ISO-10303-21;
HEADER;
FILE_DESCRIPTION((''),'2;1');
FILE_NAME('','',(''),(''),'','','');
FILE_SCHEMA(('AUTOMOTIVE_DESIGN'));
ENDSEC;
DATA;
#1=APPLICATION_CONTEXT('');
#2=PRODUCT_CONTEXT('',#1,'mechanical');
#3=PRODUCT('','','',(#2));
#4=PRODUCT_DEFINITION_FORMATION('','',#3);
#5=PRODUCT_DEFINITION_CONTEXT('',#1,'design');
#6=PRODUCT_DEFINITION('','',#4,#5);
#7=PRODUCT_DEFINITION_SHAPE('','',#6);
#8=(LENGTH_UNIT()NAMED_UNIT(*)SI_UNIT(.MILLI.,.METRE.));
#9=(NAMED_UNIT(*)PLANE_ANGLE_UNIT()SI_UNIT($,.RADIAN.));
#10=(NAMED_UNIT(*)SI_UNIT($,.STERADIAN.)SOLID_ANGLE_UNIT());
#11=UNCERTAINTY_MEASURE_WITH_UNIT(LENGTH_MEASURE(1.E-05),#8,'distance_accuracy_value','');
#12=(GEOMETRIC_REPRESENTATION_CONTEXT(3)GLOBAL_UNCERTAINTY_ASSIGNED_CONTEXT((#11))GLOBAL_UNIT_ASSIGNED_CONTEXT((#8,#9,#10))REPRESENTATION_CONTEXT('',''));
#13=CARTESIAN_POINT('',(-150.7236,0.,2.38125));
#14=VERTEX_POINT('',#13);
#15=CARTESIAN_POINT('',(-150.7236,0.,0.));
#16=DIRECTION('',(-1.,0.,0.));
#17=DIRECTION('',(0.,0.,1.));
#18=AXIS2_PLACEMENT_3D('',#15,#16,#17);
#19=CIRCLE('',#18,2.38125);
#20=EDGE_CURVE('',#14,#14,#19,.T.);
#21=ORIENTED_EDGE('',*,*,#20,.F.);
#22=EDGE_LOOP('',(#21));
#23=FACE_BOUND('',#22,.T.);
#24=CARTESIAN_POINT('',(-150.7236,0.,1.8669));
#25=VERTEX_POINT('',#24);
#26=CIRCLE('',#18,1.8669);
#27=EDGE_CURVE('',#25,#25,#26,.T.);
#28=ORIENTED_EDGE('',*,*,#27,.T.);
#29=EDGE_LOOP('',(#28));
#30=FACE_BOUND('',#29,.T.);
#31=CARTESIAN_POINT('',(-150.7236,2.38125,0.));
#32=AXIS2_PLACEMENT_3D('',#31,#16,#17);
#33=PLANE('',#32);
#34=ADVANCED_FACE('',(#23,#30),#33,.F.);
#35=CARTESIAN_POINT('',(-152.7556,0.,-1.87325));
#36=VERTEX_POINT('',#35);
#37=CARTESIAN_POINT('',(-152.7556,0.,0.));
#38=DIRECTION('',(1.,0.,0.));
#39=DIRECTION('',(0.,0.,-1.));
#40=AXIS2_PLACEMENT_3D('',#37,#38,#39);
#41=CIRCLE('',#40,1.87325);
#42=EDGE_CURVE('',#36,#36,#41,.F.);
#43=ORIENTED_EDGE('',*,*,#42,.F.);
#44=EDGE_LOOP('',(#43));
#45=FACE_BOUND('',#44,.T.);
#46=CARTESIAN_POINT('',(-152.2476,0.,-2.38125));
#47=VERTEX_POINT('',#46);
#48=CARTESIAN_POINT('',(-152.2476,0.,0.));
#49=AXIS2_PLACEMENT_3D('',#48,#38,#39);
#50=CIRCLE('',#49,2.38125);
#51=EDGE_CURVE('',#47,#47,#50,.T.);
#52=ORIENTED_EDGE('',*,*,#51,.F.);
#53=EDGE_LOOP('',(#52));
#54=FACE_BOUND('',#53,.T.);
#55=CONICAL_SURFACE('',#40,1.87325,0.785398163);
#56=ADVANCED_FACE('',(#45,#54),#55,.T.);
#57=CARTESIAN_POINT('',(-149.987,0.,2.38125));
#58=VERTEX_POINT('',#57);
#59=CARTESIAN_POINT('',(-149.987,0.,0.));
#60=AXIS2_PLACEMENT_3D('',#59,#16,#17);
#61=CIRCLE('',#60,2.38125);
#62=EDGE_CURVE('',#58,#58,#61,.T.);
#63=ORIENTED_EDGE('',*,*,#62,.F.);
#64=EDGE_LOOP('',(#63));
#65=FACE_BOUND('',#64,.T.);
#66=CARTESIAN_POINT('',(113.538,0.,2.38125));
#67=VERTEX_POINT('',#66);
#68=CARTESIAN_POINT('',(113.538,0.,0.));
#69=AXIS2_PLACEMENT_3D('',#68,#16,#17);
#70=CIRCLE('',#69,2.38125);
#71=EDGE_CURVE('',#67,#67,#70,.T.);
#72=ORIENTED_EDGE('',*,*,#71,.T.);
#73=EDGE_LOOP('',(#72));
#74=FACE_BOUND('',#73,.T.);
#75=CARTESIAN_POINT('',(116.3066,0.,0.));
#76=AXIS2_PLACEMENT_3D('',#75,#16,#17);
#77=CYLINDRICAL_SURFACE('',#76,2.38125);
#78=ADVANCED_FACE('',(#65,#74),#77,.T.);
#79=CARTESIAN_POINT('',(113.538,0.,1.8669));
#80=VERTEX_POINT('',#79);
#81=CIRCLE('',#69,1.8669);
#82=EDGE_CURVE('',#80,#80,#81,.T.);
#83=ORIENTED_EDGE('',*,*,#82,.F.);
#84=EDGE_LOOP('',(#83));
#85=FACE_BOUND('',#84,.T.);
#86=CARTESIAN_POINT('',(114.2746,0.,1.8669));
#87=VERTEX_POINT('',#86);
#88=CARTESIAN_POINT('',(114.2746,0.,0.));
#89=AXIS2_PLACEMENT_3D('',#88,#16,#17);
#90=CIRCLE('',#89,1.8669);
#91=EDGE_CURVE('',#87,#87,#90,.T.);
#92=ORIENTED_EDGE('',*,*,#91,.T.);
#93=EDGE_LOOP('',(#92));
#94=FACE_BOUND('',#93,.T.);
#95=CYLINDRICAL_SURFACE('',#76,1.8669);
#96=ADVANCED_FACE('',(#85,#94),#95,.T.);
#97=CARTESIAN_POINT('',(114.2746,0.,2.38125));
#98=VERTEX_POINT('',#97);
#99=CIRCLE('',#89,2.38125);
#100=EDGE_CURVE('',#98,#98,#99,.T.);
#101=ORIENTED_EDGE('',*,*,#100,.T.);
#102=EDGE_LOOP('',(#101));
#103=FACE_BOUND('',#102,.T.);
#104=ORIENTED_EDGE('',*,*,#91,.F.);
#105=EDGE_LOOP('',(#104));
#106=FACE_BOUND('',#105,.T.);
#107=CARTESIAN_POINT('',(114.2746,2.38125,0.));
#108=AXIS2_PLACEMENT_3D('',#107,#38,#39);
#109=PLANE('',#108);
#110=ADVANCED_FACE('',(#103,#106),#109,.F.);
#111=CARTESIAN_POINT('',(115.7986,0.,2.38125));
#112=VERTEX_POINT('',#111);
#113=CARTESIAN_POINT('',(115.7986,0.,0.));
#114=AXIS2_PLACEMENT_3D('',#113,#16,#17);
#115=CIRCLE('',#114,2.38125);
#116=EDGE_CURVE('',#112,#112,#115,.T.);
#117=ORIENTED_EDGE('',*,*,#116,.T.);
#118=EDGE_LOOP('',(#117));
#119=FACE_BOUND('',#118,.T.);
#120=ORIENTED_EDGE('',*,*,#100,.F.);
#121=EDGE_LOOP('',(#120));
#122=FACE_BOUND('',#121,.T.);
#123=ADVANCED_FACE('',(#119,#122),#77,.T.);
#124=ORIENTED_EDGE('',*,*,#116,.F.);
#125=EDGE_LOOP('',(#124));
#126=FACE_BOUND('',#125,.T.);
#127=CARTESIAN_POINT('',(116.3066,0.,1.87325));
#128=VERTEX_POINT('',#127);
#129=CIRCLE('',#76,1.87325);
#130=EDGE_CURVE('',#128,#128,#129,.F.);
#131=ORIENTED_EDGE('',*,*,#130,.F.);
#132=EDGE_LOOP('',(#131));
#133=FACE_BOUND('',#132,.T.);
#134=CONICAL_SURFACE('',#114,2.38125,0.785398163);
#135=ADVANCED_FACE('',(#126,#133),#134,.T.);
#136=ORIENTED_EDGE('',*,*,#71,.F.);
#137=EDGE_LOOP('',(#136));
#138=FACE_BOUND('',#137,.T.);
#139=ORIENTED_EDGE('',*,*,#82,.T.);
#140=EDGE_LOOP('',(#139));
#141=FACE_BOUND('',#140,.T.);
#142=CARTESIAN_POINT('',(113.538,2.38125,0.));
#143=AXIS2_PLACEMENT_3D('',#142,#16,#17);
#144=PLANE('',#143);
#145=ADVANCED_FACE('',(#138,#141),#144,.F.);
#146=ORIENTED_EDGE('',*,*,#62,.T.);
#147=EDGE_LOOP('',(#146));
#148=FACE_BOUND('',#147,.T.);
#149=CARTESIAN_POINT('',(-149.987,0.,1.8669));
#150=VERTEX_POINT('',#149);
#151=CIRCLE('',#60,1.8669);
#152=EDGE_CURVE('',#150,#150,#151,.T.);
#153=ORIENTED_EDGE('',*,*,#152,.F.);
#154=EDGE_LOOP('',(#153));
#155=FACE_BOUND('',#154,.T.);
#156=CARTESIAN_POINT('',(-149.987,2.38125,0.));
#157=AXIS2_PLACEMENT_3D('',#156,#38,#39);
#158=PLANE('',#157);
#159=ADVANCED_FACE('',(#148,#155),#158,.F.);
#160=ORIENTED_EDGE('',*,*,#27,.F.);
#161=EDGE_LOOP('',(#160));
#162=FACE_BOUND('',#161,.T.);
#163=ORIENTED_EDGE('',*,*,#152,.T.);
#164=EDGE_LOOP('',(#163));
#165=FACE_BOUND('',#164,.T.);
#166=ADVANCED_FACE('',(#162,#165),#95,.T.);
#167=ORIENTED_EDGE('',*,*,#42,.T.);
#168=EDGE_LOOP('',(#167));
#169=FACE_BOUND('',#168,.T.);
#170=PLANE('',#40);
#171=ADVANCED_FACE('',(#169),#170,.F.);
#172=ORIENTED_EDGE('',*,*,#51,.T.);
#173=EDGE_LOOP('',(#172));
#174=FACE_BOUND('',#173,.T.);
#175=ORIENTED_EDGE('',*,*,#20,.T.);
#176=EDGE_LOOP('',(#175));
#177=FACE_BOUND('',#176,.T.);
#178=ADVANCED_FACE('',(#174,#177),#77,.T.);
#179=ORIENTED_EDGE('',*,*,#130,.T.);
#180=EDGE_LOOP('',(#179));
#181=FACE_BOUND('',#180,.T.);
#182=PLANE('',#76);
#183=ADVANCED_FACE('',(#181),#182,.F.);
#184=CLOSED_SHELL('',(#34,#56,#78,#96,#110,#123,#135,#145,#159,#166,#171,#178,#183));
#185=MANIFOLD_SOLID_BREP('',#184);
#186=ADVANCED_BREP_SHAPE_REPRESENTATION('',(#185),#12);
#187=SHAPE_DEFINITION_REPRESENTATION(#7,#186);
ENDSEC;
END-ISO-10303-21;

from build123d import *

# Parameters (mm, degrees)
CHAMFER1_SIZE = 0.508


with BuildPart() as part:
    # Sketch1 → Revolve1 (revolve)
    with BuildSketch(Plane.XY):
        Polygon((-152.7556, 0), (116.3066, 0), (116.3066, 2.38125), (114.2746, 2.38125), (114.2746, 1.8669), (113.538, 1.8669), (113.538, 2.38125), (-149.987, 2.38125), (-149.987, 1.8669), (-150.7236, 1.8669), (-150.7236, 2.38125), (-152.7556, 2.38125), align=None)
    revolve(axis=Axis((116.3066, 0, 0), (1, 0, 0)))

    # Chamfer1
    chamfer1_edges = [part.edges().sort_by_distance(p)[0] for p in [
        (-152.7556, -2.38125, 0),
        (116.3066, -2.38125, 0),
    ]]
    chamfer(chamfer1_edges, length=CHAMFER1_SIZE)


solid = part.part
